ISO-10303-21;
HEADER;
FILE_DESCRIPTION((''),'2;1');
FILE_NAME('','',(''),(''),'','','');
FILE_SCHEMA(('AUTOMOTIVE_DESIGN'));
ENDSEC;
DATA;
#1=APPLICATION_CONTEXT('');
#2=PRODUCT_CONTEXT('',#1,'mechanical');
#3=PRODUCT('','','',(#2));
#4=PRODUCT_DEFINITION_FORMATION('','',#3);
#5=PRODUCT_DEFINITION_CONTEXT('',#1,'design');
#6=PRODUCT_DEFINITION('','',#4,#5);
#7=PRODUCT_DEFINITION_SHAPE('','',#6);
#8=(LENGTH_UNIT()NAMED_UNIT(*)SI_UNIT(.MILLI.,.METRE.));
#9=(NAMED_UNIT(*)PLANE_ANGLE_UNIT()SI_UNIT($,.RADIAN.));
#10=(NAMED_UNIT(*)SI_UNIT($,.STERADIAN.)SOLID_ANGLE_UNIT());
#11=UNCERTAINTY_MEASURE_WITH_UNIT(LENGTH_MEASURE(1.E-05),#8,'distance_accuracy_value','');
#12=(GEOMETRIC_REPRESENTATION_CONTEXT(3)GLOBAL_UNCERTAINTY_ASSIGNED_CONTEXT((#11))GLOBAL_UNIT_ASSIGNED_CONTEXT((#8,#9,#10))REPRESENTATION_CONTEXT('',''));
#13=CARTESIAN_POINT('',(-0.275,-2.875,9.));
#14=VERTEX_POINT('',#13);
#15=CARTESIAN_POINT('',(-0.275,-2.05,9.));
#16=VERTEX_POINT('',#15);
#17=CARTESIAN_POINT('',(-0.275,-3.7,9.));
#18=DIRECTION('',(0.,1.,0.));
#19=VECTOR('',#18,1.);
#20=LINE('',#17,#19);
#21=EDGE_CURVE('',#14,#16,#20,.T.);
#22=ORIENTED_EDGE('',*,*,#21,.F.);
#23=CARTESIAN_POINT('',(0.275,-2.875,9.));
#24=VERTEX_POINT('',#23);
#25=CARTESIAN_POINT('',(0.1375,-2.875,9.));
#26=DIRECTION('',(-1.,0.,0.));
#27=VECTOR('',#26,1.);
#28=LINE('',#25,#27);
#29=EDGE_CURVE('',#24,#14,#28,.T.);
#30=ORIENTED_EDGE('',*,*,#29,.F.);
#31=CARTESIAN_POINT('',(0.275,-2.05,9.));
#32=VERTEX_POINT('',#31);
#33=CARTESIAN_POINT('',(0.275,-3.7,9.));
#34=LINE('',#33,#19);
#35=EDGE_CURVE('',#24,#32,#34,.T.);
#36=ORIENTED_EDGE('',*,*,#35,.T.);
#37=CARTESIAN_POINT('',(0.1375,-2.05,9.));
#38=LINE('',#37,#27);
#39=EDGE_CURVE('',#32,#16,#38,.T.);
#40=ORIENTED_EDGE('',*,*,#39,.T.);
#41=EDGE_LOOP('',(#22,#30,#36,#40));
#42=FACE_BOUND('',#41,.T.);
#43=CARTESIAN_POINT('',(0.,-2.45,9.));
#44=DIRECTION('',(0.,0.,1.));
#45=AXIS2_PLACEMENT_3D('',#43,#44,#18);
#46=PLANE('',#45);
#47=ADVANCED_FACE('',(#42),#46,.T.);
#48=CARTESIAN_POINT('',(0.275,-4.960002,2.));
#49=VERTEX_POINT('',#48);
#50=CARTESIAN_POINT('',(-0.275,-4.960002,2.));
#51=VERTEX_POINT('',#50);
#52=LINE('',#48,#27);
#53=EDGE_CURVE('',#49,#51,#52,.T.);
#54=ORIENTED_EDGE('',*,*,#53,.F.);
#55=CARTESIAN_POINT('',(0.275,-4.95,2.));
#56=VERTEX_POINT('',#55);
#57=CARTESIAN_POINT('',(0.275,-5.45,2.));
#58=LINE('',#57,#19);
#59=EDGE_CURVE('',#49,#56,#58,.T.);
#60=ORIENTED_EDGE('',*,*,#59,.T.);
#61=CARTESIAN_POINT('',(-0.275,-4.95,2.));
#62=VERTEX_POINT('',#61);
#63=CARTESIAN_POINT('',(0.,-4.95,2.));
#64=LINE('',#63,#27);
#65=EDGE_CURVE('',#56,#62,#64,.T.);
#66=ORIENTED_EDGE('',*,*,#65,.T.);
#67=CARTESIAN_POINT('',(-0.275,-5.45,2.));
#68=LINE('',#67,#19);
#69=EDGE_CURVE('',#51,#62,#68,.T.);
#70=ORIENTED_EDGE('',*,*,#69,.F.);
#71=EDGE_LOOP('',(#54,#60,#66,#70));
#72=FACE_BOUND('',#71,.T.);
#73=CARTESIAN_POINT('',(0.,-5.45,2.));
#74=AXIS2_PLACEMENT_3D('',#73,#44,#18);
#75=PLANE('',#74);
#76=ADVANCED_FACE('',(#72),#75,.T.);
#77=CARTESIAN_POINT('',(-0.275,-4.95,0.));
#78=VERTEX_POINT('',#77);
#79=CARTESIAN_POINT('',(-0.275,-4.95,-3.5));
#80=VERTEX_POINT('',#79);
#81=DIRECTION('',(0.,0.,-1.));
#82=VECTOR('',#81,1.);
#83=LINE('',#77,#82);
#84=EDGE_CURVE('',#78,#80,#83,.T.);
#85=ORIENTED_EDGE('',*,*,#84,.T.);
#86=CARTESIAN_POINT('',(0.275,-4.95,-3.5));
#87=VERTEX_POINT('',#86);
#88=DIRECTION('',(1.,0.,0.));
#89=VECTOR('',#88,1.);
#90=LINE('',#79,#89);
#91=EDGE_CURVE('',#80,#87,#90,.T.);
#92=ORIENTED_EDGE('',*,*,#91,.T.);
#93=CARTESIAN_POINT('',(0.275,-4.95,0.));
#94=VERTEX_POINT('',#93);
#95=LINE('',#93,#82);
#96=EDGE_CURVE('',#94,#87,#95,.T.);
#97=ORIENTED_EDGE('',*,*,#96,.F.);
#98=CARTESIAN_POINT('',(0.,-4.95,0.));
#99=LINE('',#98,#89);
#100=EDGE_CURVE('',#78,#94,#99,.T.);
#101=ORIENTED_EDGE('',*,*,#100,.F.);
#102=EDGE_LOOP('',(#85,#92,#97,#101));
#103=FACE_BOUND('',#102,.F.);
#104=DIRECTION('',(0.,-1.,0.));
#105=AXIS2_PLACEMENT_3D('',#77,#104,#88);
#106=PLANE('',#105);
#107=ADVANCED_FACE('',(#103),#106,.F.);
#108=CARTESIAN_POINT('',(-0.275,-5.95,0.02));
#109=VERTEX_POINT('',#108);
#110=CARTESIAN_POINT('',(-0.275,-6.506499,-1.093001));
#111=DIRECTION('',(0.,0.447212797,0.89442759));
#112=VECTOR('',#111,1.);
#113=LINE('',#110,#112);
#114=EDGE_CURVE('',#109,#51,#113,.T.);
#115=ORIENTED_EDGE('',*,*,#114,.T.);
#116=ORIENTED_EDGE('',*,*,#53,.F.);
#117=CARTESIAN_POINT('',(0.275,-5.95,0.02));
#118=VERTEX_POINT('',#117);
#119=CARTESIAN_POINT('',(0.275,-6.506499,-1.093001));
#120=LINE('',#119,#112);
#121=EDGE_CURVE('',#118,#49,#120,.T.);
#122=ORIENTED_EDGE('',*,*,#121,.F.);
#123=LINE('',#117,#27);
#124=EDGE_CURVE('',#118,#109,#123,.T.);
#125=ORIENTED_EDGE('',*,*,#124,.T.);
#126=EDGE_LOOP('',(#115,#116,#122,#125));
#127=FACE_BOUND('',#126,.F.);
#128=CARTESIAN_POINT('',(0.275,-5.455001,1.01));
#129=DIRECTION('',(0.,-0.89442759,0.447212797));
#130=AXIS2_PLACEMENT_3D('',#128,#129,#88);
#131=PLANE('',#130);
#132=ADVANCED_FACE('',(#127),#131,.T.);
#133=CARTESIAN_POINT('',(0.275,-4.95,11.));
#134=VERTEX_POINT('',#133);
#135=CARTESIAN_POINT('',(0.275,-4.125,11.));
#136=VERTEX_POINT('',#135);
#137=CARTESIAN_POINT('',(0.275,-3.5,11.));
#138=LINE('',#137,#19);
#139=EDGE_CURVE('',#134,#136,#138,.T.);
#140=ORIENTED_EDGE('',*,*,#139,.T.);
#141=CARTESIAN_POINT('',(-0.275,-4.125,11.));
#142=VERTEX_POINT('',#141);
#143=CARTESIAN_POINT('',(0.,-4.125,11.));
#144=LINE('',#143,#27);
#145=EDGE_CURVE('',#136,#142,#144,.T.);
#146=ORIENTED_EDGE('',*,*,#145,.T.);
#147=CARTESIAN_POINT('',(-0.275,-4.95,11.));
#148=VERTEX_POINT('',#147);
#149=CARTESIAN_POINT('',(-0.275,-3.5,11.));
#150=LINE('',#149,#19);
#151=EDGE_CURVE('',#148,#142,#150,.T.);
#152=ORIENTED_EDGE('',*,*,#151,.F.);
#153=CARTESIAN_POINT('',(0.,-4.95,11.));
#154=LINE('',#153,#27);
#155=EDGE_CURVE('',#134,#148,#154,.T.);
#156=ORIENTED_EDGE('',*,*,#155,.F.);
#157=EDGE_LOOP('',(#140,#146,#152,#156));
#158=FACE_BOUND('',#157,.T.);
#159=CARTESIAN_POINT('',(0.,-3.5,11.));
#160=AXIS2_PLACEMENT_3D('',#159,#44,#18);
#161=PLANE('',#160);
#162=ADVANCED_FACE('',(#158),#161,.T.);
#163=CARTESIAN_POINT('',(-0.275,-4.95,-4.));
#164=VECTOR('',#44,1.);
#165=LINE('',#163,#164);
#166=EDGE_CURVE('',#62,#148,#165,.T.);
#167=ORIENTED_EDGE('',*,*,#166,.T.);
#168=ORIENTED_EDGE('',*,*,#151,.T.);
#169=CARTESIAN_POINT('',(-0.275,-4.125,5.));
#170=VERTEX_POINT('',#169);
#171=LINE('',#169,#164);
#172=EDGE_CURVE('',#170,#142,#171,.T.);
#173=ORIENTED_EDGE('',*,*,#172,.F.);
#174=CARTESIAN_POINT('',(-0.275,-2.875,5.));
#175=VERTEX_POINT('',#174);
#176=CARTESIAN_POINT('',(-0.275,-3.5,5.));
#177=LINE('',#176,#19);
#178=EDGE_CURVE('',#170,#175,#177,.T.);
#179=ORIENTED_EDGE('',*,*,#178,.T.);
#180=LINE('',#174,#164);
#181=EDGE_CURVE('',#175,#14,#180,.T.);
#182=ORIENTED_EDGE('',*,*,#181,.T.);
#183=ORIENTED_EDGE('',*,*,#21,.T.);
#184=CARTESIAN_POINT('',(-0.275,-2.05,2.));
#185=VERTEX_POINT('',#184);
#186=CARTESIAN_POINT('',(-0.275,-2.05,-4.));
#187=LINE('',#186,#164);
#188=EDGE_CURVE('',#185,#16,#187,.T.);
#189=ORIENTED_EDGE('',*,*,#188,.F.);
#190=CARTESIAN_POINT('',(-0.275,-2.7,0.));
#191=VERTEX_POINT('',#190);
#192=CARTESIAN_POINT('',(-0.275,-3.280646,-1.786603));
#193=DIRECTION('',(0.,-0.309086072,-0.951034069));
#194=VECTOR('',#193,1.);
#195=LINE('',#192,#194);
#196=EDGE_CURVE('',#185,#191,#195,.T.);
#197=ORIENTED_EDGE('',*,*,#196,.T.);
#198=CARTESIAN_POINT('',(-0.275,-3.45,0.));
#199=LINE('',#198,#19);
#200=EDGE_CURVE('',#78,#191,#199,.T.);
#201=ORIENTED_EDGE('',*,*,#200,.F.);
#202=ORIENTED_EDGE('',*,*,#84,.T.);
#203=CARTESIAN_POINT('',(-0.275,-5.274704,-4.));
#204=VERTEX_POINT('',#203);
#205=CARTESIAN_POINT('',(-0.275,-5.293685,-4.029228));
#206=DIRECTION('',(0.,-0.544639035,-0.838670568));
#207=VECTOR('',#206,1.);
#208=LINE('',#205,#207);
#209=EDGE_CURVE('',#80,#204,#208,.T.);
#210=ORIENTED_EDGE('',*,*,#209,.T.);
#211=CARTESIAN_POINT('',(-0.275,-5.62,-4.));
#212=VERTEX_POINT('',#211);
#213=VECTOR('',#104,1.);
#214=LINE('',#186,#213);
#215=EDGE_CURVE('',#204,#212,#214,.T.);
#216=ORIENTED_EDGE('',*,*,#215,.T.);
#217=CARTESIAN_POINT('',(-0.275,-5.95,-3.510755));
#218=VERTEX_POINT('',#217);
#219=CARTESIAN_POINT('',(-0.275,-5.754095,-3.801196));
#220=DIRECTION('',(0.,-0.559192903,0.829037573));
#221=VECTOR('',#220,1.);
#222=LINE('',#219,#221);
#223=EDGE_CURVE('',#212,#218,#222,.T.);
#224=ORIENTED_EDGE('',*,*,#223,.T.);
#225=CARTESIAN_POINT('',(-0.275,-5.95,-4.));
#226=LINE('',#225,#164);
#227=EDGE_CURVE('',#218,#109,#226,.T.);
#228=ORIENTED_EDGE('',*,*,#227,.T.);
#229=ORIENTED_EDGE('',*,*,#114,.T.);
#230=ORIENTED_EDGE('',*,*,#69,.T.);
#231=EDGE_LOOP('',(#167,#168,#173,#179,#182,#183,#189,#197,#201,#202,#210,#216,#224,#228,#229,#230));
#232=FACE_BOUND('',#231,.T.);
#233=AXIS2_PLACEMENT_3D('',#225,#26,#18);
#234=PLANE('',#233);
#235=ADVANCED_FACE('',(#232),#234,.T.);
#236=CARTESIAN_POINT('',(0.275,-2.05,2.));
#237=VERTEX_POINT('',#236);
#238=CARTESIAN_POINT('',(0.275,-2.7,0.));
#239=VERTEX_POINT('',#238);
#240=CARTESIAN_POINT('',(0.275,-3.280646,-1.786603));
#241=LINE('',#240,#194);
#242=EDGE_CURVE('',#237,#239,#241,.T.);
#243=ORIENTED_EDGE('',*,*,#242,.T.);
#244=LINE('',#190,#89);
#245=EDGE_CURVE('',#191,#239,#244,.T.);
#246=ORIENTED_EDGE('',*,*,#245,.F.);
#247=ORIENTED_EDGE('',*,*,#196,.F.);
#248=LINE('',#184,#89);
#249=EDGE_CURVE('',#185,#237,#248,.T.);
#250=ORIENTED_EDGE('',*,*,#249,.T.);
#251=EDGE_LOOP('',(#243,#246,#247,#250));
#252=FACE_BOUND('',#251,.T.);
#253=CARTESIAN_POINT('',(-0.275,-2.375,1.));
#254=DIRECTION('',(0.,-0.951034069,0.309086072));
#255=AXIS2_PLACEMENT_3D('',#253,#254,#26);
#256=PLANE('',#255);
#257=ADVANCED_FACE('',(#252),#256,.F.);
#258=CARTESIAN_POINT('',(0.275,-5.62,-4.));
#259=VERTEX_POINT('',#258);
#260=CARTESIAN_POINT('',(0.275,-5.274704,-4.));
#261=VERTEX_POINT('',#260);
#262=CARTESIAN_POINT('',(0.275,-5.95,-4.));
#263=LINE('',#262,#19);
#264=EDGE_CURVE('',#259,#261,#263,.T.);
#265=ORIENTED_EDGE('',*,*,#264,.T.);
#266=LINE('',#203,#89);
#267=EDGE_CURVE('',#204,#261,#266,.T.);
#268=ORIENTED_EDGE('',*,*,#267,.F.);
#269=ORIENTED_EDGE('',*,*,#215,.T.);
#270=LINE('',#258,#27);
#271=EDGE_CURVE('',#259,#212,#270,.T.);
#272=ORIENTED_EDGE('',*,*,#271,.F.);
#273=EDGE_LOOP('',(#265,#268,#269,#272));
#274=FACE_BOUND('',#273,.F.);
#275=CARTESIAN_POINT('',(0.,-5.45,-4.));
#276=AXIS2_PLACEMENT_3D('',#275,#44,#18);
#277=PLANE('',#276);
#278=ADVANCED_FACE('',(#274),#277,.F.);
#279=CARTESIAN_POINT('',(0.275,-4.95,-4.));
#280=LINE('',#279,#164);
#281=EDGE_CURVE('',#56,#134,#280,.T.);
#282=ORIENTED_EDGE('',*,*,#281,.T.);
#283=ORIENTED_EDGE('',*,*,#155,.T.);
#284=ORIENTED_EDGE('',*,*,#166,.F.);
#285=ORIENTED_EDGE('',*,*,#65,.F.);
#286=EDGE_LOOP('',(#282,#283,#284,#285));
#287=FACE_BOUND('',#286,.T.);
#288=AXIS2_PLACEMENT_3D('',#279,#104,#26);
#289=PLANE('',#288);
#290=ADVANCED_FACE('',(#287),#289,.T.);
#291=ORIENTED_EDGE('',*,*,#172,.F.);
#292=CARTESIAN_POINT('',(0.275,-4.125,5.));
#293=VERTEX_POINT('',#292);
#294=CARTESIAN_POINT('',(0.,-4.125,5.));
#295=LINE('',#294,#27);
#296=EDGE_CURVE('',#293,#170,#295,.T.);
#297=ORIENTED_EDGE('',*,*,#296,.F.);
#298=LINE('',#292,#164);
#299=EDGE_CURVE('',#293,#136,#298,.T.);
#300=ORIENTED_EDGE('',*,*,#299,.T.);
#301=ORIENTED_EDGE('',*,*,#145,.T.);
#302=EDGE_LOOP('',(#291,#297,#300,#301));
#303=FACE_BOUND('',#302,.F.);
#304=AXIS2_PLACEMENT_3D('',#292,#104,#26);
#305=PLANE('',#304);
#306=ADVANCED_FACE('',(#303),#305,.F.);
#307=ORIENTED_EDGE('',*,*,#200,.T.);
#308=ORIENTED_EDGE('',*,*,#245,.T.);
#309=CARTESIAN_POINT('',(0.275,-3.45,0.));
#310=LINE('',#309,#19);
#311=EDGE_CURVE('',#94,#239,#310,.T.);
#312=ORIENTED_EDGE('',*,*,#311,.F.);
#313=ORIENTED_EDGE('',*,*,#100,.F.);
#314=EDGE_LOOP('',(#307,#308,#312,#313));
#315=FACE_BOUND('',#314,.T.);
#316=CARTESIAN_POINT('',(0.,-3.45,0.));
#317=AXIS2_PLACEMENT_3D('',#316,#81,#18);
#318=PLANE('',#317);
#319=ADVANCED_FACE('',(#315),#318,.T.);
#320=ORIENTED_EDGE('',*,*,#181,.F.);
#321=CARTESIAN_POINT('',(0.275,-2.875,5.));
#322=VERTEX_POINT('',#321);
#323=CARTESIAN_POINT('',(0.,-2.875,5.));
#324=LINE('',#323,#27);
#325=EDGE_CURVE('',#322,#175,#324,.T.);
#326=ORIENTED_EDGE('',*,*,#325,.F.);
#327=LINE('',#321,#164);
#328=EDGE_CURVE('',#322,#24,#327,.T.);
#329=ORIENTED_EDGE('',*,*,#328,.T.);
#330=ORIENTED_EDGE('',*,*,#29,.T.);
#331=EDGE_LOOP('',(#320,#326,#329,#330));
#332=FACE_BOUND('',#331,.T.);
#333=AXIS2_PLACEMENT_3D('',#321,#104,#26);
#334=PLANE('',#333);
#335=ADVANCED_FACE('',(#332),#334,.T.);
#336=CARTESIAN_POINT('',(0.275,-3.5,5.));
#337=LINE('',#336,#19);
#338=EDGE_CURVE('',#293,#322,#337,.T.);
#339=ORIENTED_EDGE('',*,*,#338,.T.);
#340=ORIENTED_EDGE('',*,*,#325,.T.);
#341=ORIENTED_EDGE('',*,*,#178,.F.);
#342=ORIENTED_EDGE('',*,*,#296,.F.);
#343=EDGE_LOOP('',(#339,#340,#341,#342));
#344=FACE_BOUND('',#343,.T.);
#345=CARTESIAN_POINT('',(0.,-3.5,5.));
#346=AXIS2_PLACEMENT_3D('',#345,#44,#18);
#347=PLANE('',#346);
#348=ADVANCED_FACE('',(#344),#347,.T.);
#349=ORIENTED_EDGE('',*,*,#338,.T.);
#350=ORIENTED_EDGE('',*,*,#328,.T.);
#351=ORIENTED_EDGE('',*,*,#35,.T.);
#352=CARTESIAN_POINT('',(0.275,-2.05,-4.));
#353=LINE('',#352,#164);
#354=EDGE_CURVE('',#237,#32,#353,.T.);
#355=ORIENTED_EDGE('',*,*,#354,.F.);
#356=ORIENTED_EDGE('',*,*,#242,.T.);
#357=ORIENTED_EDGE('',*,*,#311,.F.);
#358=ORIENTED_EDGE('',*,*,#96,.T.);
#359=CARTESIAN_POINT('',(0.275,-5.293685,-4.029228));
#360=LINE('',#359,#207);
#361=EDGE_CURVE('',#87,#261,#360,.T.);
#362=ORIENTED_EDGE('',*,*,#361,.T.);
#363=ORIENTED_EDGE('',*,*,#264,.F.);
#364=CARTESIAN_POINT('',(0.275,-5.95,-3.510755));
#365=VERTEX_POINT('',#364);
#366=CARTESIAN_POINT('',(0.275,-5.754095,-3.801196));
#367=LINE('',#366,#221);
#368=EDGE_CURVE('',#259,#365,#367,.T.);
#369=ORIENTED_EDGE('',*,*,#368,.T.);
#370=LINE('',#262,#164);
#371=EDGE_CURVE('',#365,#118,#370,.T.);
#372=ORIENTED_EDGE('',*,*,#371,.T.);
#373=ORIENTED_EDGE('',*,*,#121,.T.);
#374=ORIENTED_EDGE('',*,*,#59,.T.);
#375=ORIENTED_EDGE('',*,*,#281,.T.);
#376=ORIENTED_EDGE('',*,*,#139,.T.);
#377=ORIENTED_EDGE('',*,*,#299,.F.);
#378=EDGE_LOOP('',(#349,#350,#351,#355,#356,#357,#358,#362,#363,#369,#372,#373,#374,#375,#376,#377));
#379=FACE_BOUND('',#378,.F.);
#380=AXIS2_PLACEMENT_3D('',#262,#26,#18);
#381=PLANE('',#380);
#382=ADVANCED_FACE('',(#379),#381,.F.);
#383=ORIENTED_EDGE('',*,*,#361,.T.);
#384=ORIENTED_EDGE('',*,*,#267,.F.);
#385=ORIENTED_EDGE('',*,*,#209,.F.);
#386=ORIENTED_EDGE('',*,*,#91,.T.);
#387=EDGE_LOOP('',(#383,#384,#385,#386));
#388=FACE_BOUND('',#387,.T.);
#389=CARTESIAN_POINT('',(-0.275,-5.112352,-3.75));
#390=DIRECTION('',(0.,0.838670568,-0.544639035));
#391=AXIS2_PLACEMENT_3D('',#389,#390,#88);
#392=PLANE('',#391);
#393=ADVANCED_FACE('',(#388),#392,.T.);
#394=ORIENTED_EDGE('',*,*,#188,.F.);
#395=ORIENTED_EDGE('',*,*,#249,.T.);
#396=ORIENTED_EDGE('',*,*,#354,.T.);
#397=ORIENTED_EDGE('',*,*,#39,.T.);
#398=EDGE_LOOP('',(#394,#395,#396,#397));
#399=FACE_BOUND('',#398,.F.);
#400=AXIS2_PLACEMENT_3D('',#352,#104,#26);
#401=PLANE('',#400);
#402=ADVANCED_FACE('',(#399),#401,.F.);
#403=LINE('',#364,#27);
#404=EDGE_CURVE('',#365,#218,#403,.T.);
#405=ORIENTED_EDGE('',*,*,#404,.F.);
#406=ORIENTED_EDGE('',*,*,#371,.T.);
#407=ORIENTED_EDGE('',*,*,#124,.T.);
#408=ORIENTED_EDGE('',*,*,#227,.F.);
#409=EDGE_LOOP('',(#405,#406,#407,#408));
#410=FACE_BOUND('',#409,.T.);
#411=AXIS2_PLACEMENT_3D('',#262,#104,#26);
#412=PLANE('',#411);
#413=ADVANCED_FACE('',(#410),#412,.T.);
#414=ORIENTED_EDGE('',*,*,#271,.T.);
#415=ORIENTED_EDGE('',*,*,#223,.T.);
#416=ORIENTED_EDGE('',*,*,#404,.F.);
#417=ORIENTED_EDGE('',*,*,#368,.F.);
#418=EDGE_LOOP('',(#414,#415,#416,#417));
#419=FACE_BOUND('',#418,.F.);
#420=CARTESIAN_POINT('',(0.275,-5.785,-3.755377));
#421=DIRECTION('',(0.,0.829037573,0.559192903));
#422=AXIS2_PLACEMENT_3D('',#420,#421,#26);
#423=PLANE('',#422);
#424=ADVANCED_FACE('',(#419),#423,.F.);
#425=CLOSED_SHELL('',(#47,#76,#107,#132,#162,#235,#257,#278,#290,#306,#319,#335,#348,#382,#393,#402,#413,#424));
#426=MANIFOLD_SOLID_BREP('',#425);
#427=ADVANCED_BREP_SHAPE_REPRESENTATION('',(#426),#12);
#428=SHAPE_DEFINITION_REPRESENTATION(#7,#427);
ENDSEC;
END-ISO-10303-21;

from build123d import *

# Parameters (mm, degrees)
BOX024_W                = 2.9
BOX024_H                = 0.55
BOX024_DEPTH            = 15
BOX025_W                = 1.25
BOX025_H                = 0.55
BOX025_DEPTH            = 6
BOX026_W                = 1.1
BOX026_H                = 0.6
BOX026_DEPTH            = 2
BOX028_W                = 1
BOX028_H                = 0.55
BOX028_DEPTH            = 6
BOX027_W                = 3
BOX027_H                = 0.55
BOX027_DEPTH            = 4
CHAMFER006_SIZE2        = 0.65
CHAMFER006_SIZE         = 2
CHAMFER007_ANGLE        = 33
CHAMFER007_SIZE         = 0.5
CHAMFER009_ANGLE        = 56
CHAMFER009_SIZE         = 0.33
CHAMFER008_ANGLE        = 26.565
CHAMFER008_SIZE         = 1.98
BODY020_PLACEMENT_ANGLE = 90


with BuildPart() as part:
    # Box024 → Box024 (join)
    with BuildSketch(Plane(origin=(-4.95, -0.275, 0), x_dir=(1, 0, 0), z_dir=(0, 0, 1))):
        with Locations((1.45, 0.275)):
            Rectangle(BOX024_W, BOX024_H)
    extrude(amount=BOX024_DEPTH)

    # Box025 → Box025 (cut)
    with BuildSketch(Plane(origin=(-4.125, -0.275, 9), x_dir=(1, 0, 0), z_dir=(0, 0, 1))):
        with Locations((0.625, 0.275)):
            Rectangle(BOX025_W, BOX025_H)
    extrude(amount=BOX025_DEPTH, mode=Mode.SUBTRACT)

    # Box026 → Box026 (cut)
    with BuildSketch(Plane(origin=(-3, -0.3, 13), x_dir=(1, 0, 0), z_dir=(0, 0, 1))):
        with Locations((0.55, 0.3)):
            Rectangle(BOX026_W, BOX026_H)
    extrude(amount=BOX026_DEPTH, mode=Mode.SUBTRACT)

    # Box028 → Box028 (join)
    with BuildSketch(Plane(origin=(-5.95, -0.275, 0), x_dir=(1, 0, 0), z_dir=(0, 0, 1))):
        with Locations((0.5, 0.275)):
            Rectangle(BOX028_W, BOX028_H)
    extrude(amount=BOX028_DEPTH)

    # Box027 → Box027 (cut)
    with BuildSketch(Plane(origin=(-4.95, 0.275, 4), x_dir=(1, 0, 0), z_dir=(0, 0, -1))):
        with Locations((1.5, 0.275)):
            Rectangle(BOX027_W, BOX027_H)
    extrude(amount=BOX027_DEPTH, mode=Mode.SUBTRACT)

    # Chamfer006
    chamfer006_edges = [part.edges().sort_by_distance(p)[0] for p in [
        (-2.05, 0, 4),
    ]]
    chamfer006_side = part.faces().sort_by_distance((-2.05, 0, 8.5))[0]
    chamfer(chamfer006_edges, length=CHAMFER006_SIZE, length2=CHAMFER006_SIZE2, reference=chamfer006_side)

    # Chamfer007
    chamfer007_edges = [part.edges().sort_by_distance(p)[0] for p in [
        (-4.95, 0, 0),
    ]]
    chamfer007_side = part.faces().sort_by_distance((-4.95, 0, 2))[0]
    chamfer(chamfer007_edges, length=CHAMFER007_SIZE, angle=CHAMFER007_ANGLE, reference=chamfer007_side)

    # Chamfer009
    chamfer009_edges = [part.edges().sort_by_distance(p)[0] for p in [
        (-5.95, 0, 0),
    ]]
    chamfer009_side = part.faces().sort_by_distance((-5.612352, 0, 0))[0]
    chamfer(chamfer009_edges, length=CHAMFER009_SIZE, angle=CHAMFER009_ANGLE, reference=chamfer009_side)

    # Chamfer008
    chamfer008_edges = [part.edges().sort_by_distance(p)[0] for p in [
        (-5.95, 0, 6),
    ]]
    chamfer008_side = part.faces().sort_by_distance((-5.95, 0, 3.244623))[0]
    chamfer(chamfer008_edges, length=CHAMFER008_SIZE, angle=CHAMFER008_ANGLE, reference=chamfer008_side)


with BuildPart() as part_1:
    # Body020 placement: moved
    add(part.part.moved(Location((0, 0, -4))).rotate(Axis((0, 0, -4), (0, 0, 1)), BODY020_PLACEMENT_ANGLE))


solid = part_1.part
